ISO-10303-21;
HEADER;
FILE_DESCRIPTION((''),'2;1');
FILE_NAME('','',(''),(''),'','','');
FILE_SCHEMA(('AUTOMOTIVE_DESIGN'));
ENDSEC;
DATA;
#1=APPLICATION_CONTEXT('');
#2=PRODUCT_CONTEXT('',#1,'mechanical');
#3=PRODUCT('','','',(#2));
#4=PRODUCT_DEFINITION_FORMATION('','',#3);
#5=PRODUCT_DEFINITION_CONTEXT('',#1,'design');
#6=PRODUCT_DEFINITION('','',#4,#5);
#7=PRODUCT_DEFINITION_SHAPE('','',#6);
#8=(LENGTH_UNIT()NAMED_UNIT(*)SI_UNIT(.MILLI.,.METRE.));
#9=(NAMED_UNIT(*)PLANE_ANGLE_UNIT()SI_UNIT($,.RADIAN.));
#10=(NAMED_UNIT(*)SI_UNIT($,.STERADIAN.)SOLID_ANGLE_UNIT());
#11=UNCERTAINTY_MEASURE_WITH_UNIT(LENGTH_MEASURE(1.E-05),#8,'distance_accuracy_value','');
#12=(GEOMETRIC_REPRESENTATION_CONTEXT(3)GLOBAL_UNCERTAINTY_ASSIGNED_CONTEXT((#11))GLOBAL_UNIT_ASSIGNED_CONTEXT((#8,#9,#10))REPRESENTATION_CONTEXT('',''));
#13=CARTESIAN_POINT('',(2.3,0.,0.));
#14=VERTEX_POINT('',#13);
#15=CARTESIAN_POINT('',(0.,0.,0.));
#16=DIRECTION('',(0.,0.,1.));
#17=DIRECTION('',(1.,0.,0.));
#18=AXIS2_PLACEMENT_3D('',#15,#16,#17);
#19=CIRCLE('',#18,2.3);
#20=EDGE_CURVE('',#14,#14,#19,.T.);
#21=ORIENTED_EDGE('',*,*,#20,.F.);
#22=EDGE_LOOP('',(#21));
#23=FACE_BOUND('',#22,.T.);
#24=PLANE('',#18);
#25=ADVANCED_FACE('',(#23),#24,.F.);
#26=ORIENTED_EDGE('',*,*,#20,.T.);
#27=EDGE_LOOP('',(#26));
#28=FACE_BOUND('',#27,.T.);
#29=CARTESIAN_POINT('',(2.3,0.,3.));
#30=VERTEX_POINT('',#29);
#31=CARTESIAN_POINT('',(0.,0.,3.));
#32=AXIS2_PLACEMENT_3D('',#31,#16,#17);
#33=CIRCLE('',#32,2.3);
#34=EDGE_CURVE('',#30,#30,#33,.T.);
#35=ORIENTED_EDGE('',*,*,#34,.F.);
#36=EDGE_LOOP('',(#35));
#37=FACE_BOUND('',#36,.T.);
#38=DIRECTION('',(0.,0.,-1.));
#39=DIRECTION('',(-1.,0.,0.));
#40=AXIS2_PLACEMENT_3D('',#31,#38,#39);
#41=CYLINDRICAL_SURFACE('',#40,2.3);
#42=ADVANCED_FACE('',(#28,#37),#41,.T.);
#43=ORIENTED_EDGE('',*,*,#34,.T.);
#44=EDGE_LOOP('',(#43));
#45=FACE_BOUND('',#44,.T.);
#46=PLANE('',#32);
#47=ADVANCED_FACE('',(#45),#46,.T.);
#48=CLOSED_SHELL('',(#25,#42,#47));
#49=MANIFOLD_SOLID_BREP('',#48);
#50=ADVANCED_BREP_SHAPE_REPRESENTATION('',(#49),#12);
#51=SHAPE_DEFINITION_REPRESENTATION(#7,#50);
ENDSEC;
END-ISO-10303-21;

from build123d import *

# Parameters (mm, degrees)
SKETCH_1_R      = 2.3
EXTRUDE_1_DEPTH = 3


with BuildPart() as part:
    # 草圖1 → 填料-伸長1 (new body)
    with BuildSketch(Plane.XY):
        Circle(SKETCH_1_R)
    extrude(amount=EXTRUDE_1_DEPTH)


solid = part.part
